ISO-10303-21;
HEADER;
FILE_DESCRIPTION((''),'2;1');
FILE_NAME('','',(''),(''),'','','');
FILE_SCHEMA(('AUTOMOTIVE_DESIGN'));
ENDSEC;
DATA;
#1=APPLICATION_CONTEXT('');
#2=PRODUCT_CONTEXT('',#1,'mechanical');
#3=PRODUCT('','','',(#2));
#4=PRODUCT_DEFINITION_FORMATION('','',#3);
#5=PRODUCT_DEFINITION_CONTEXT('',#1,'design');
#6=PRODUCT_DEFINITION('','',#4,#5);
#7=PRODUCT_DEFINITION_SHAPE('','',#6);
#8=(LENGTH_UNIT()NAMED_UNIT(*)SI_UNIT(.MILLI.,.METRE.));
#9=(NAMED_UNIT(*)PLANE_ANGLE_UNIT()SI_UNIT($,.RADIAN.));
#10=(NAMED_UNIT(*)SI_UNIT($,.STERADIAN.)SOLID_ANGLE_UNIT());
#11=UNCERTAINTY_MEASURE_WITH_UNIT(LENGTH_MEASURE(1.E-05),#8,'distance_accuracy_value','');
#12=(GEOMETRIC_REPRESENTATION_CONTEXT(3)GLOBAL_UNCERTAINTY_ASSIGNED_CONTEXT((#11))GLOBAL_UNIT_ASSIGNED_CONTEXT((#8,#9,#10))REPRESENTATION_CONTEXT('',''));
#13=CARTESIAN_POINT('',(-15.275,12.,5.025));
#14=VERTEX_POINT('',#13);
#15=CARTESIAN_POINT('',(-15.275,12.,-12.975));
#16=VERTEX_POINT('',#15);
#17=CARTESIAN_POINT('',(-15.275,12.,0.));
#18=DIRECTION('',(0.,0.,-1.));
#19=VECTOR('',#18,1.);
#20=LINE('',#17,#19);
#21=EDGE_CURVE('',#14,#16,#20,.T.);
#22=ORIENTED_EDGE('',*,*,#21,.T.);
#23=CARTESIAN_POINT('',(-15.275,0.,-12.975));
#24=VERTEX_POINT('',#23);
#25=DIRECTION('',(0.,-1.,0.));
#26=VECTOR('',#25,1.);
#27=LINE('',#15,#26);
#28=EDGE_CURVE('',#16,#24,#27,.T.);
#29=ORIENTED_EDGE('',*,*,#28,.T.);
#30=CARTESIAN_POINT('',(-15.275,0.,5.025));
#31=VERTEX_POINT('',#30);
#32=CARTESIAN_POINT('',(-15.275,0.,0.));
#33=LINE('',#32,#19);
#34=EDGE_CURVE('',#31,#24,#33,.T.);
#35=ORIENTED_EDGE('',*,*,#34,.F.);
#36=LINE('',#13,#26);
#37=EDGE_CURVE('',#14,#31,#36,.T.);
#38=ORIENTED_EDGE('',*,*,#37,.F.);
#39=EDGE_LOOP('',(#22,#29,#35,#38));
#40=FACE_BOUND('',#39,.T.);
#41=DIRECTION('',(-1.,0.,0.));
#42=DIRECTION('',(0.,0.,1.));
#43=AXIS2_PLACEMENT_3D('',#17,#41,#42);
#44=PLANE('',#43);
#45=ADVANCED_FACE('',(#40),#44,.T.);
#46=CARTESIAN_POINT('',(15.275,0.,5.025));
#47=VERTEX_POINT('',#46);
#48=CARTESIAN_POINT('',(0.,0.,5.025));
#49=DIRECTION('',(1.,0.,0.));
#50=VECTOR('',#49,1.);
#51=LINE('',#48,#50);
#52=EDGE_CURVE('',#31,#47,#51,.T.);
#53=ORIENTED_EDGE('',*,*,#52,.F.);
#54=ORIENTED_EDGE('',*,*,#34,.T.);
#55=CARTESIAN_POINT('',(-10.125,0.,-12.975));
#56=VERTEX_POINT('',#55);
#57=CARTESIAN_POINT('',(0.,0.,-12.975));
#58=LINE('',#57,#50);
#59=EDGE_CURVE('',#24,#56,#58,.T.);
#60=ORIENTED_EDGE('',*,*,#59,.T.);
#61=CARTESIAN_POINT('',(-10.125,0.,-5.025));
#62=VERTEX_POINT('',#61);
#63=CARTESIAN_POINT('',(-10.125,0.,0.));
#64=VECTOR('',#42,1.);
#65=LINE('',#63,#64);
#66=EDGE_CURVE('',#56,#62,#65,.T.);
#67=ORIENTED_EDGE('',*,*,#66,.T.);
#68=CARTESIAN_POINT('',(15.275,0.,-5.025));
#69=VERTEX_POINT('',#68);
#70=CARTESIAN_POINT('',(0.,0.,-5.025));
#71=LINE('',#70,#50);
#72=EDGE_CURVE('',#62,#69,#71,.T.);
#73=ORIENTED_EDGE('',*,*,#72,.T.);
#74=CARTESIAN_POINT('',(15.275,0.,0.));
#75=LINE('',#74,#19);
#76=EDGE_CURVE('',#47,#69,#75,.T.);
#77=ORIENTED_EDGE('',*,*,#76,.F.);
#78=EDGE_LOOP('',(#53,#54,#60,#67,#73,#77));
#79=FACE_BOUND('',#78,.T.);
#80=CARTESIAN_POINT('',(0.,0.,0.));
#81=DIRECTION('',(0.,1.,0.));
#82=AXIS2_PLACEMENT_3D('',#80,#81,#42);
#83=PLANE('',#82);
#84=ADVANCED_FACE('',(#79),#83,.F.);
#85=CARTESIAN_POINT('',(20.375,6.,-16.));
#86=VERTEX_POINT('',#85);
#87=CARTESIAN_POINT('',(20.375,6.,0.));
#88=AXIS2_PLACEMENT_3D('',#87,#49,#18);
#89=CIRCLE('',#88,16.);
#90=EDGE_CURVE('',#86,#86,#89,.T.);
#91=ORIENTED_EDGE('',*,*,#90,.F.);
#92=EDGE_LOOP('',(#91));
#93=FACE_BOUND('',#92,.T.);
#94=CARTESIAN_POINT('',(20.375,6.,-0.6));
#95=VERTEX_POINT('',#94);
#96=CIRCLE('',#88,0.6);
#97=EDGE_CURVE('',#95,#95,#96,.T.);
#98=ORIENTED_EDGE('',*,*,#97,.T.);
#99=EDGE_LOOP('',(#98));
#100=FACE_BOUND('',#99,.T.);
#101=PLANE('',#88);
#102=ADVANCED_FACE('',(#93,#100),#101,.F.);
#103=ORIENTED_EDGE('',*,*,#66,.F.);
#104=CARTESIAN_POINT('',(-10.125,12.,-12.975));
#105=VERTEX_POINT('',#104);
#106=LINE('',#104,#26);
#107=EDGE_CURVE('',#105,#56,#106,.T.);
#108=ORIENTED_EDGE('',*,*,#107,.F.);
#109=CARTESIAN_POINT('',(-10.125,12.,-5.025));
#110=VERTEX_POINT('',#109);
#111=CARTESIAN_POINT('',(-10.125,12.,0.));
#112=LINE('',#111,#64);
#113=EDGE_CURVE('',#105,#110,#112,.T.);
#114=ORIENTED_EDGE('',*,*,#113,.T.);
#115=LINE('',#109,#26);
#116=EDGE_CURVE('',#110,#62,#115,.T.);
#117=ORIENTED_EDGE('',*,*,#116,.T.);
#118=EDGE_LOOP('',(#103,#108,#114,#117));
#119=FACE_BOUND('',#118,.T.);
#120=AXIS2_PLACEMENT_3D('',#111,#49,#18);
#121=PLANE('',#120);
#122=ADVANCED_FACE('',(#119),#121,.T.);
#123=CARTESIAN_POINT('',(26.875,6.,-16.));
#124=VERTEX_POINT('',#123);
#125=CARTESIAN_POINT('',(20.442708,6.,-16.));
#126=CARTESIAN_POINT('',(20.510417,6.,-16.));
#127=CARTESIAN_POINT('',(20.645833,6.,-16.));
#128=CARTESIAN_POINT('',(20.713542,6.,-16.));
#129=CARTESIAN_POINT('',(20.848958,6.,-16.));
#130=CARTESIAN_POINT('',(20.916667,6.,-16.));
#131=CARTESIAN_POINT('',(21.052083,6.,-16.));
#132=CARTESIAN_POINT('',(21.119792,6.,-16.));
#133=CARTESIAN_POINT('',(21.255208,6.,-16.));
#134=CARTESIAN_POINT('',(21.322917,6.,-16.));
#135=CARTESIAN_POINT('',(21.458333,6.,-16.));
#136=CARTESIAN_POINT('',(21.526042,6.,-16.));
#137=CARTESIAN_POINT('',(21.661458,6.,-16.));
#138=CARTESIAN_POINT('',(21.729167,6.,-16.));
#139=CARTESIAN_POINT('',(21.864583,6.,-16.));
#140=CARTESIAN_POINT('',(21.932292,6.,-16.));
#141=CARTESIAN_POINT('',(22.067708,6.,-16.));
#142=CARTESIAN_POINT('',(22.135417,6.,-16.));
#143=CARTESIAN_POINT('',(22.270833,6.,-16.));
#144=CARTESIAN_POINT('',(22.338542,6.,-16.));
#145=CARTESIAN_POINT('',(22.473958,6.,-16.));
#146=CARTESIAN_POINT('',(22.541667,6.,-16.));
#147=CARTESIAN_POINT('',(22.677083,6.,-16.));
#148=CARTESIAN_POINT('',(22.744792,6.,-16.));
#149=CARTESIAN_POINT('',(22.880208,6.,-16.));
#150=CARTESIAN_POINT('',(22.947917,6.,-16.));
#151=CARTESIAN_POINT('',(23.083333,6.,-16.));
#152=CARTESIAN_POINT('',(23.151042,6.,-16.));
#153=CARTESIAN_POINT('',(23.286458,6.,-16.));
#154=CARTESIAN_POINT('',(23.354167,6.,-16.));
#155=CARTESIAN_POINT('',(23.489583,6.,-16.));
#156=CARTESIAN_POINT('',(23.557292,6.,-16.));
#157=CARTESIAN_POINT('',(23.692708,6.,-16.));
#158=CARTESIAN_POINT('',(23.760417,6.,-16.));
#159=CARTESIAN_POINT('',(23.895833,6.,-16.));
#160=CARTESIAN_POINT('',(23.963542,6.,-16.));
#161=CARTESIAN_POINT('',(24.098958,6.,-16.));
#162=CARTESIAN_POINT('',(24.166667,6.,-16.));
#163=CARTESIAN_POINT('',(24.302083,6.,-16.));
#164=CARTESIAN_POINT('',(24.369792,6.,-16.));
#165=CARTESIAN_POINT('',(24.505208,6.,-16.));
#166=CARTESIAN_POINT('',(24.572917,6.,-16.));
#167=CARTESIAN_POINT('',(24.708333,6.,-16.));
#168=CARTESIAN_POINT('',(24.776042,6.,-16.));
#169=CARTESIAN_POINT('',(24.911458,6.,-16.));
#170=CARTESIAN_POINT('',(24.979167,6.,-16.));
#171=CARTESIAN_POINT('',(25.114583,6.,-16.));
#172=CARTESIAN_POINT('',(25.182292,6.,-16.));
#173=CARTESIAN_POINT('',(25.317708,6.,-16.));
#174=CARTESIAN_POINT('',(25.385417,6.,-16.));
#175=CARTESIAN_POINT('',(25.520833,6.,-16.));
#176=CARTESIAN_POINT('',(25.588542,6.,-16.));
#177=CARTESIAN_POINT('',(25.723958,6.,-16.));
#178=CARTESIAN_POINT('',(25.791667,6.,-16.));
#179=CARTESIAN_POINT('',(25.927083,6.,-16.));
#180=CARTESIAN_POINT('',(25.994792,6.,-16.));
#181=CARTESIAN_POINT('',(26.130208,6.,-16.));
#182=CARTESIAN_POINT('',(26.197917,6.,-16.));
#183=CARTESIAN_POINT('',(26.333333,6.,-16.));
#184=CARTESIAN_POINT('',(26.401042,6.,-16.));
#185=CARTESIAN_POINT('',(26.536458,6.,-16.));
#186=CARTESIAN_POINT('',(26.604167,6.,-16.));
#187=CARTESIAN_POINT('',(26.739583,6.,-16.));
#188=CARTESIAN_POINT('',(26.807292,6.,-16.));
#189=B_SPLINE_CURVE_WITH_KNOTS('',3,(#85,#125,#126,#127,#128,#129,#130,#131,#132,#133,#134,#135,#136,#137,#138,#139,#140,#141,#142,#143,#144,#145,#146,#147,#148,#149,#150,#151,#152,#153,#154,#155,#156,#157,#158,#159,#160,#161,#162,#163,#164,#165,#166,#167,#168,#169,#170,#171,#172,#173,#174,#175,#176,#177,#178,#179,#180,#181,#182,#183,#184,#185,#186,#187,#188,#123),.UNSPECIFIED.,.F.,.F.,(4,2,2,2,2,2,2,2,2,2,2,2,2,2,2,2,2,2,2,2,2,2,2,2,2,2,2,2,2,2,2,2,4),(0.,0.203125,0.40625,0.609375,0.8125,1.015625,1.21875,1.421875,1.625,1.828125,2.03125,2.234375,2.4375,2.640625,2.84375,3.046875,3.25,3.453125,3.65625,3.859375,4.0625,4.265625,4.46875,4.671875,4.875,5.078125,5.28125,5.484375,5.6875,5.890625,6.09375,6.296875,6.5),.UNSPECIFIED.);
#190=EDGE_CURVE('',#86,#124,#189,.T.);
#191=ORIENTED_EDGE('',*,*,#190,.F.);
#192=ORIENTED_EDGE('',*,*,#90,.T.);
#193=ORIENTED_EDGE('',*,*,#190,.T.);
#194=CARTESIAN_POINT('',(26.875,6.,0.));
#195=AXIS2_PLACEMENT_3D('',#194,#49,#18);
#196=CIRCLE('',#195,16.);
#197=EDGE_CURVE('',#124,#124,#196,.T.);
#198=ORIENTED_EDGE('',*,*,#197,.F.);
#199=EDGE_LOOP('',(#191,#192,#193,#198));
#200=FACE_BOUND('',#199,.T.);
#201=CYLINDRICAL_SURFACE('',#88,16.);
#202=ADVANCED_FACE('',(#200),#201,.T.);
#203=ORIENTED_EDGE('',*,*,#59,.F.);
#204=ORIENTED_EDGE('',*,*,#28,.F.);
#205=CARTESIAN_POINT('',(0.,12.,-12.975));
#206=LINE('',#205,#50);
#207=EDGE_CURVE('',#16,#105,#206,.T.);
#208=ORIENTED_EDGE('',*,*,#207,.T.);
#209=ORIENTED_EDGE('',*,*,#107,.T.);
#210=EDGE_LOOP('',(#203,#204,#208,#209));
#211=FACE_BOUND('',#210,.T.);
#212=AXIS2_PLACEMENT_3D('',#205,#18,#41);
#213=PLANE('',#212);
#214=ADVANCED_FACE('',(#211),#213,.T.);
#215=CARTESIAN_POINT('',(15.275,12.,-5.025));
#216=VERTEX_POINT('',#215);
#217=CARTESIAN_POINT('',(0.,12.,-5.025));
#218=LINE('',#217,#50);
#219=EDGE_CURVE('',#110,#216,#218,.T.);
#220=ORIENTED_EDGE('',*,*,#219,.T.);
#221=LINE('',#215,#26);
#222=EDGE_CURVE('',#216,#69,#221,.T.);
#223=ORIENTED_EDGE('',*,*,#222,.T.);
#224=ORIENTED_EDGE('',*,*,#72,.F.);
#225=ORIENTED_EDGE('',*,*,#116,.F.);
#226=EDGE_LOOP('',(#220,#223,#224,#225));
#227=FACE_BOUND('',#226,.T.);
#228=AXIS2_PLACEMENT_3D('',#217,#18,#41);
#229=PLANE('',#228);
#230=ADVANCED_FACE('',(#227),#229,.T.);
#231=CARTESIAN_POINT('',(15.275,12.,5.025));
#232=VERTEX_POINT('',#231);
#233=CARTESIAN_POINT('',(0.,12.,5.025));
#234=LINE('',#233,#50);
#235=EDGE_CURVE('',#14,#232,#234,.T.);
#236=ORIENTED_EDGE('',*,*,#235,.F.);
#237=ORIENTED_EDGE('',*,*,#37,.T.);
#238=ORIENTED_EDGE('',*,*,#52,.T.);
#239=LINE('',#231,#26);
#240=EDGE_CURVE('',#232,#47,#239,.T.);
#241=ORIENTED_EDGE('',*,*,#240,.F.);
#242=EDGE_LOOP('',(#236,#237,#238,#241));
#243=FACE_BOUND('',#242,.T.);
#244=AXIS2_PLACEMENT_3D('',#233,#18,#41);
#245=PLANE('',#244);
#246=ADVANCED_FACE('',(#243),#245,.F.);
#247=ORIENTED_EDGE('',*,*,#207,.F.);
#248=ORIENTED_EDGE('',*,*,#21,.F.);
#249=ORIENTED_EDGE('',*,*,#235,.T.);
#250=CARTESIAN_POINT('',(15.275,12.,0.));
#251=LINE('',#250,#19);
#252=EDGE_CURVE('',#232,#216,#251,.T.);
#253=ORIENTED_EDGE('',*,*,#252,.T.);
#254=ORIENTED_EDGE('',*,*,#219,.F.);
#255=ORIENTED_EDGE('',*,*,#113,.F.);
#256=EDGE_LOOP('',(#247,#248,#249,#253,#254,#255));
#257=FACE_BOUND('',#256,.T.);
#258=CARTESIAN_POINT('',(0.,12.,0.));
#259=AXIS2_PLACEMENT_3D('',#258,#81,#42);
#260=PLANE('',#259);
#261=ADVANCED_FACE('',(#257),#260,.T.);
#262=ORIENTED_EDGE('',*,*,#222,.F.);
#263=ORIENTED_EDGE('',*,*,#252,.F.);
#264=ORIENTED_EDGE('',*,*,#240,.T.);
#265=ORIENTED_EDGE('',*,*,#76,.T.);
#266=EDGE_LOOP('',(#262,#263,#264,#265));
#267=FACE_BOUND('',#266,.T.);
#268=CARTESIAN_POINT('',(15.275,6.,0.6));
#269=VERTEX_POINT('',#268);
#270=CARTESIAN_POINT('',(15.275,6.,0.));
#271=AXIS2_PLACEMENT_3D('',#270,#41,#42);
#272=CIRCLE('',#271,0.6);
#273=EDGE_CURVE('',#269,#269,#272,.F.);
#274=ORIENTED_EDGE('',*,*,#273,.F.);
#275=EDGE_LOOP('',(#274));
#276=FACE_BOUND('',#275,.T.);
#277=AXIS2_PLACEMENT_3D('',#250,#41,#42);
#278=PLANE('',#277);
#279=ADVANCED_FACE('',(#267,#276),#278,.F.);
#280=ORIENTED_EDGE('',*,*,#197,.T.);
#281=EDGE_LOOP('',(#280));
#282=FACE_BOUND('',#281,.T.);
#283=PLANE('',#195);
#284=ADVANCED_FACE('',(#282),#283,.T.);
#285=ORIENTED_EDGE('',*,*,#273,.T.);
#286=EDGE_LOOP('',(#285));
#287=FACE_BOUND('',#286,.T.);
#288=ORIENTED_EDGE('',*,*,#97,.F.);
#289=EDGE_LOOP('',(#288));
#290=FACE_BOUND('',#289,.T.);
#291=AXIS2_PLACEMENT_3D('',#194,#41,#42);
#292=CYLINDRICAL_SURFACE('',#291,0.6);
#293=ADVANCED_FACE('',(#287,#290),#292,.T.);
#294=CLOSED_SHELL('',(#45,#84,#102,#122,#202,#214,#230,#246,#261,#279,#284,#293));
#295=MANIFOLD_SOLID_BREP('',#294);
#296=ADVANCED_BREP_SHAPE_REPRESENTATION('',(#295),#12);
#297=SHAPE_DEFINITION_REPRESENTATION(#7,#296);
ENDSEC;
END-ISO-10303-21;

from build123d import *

# Parameters (mm, degrees)
SKETCH_1_W      = 5.15
SKETCH_1_H      = 5.025
EXTRUDE_1_DEPTH = 12
SKETCH_2_R      = 0.6
EXTRUDE_2_DEPTH = 11.6
SKETCH_3_R      = 16
EXTRUDE_3_DEPTH = 6.5


with BuildPart() as part:
    # 草图1 → 凸台-拉伸1 (new body)
    with BuildSketch(Plane(origin=(0, 0, 0), x_dir=(1, 0, 0), z_dir=(0, 1, 0))):
        Polygon((-10.125, 5.025), (-10.125, 0), (-10.125, -5.025), (15.275, -5.025), (15.275, 5.025), align=None)
        Polygon((-15.275, 12.975), (-15.275, 0), (-10.125, 0), (-10.125, 5.025), (-10.125, 12.975), align=None)
        with Locations((-12.7, -2.5125)):
            Rectangle(SKETCH_1_W, SKETCH_1_H)
    extrude(amount=EXTRUDE_1_DEPTH)

    # 草图2 → 凸台-拉伸2 (add)
    with BuildSketch(Plane(origin=(15.275, 0, 0), x_dir=(0, 0, -1), z_dir=(1, 0, 0))):
        with Locations(Location((0, 6, 0), (0, 0, 180))):
            Circle(SKETCH_2_R)
    extrude(amount=EXTRUDE_2_DEPTH)

    # 草图3 → 凸台-拉伸3 (add)
    with BuildSketch(Plane(origin=(26.875, 0, 0), x_dir=(0, 0, -1), z_dir=(1, 0, 0))):
        with Locations((0, 6)):
            Circle(SKETCH_3_R)
    extrude(amount=-EXTRUDE_3_DEPTH)


solid = part.part
